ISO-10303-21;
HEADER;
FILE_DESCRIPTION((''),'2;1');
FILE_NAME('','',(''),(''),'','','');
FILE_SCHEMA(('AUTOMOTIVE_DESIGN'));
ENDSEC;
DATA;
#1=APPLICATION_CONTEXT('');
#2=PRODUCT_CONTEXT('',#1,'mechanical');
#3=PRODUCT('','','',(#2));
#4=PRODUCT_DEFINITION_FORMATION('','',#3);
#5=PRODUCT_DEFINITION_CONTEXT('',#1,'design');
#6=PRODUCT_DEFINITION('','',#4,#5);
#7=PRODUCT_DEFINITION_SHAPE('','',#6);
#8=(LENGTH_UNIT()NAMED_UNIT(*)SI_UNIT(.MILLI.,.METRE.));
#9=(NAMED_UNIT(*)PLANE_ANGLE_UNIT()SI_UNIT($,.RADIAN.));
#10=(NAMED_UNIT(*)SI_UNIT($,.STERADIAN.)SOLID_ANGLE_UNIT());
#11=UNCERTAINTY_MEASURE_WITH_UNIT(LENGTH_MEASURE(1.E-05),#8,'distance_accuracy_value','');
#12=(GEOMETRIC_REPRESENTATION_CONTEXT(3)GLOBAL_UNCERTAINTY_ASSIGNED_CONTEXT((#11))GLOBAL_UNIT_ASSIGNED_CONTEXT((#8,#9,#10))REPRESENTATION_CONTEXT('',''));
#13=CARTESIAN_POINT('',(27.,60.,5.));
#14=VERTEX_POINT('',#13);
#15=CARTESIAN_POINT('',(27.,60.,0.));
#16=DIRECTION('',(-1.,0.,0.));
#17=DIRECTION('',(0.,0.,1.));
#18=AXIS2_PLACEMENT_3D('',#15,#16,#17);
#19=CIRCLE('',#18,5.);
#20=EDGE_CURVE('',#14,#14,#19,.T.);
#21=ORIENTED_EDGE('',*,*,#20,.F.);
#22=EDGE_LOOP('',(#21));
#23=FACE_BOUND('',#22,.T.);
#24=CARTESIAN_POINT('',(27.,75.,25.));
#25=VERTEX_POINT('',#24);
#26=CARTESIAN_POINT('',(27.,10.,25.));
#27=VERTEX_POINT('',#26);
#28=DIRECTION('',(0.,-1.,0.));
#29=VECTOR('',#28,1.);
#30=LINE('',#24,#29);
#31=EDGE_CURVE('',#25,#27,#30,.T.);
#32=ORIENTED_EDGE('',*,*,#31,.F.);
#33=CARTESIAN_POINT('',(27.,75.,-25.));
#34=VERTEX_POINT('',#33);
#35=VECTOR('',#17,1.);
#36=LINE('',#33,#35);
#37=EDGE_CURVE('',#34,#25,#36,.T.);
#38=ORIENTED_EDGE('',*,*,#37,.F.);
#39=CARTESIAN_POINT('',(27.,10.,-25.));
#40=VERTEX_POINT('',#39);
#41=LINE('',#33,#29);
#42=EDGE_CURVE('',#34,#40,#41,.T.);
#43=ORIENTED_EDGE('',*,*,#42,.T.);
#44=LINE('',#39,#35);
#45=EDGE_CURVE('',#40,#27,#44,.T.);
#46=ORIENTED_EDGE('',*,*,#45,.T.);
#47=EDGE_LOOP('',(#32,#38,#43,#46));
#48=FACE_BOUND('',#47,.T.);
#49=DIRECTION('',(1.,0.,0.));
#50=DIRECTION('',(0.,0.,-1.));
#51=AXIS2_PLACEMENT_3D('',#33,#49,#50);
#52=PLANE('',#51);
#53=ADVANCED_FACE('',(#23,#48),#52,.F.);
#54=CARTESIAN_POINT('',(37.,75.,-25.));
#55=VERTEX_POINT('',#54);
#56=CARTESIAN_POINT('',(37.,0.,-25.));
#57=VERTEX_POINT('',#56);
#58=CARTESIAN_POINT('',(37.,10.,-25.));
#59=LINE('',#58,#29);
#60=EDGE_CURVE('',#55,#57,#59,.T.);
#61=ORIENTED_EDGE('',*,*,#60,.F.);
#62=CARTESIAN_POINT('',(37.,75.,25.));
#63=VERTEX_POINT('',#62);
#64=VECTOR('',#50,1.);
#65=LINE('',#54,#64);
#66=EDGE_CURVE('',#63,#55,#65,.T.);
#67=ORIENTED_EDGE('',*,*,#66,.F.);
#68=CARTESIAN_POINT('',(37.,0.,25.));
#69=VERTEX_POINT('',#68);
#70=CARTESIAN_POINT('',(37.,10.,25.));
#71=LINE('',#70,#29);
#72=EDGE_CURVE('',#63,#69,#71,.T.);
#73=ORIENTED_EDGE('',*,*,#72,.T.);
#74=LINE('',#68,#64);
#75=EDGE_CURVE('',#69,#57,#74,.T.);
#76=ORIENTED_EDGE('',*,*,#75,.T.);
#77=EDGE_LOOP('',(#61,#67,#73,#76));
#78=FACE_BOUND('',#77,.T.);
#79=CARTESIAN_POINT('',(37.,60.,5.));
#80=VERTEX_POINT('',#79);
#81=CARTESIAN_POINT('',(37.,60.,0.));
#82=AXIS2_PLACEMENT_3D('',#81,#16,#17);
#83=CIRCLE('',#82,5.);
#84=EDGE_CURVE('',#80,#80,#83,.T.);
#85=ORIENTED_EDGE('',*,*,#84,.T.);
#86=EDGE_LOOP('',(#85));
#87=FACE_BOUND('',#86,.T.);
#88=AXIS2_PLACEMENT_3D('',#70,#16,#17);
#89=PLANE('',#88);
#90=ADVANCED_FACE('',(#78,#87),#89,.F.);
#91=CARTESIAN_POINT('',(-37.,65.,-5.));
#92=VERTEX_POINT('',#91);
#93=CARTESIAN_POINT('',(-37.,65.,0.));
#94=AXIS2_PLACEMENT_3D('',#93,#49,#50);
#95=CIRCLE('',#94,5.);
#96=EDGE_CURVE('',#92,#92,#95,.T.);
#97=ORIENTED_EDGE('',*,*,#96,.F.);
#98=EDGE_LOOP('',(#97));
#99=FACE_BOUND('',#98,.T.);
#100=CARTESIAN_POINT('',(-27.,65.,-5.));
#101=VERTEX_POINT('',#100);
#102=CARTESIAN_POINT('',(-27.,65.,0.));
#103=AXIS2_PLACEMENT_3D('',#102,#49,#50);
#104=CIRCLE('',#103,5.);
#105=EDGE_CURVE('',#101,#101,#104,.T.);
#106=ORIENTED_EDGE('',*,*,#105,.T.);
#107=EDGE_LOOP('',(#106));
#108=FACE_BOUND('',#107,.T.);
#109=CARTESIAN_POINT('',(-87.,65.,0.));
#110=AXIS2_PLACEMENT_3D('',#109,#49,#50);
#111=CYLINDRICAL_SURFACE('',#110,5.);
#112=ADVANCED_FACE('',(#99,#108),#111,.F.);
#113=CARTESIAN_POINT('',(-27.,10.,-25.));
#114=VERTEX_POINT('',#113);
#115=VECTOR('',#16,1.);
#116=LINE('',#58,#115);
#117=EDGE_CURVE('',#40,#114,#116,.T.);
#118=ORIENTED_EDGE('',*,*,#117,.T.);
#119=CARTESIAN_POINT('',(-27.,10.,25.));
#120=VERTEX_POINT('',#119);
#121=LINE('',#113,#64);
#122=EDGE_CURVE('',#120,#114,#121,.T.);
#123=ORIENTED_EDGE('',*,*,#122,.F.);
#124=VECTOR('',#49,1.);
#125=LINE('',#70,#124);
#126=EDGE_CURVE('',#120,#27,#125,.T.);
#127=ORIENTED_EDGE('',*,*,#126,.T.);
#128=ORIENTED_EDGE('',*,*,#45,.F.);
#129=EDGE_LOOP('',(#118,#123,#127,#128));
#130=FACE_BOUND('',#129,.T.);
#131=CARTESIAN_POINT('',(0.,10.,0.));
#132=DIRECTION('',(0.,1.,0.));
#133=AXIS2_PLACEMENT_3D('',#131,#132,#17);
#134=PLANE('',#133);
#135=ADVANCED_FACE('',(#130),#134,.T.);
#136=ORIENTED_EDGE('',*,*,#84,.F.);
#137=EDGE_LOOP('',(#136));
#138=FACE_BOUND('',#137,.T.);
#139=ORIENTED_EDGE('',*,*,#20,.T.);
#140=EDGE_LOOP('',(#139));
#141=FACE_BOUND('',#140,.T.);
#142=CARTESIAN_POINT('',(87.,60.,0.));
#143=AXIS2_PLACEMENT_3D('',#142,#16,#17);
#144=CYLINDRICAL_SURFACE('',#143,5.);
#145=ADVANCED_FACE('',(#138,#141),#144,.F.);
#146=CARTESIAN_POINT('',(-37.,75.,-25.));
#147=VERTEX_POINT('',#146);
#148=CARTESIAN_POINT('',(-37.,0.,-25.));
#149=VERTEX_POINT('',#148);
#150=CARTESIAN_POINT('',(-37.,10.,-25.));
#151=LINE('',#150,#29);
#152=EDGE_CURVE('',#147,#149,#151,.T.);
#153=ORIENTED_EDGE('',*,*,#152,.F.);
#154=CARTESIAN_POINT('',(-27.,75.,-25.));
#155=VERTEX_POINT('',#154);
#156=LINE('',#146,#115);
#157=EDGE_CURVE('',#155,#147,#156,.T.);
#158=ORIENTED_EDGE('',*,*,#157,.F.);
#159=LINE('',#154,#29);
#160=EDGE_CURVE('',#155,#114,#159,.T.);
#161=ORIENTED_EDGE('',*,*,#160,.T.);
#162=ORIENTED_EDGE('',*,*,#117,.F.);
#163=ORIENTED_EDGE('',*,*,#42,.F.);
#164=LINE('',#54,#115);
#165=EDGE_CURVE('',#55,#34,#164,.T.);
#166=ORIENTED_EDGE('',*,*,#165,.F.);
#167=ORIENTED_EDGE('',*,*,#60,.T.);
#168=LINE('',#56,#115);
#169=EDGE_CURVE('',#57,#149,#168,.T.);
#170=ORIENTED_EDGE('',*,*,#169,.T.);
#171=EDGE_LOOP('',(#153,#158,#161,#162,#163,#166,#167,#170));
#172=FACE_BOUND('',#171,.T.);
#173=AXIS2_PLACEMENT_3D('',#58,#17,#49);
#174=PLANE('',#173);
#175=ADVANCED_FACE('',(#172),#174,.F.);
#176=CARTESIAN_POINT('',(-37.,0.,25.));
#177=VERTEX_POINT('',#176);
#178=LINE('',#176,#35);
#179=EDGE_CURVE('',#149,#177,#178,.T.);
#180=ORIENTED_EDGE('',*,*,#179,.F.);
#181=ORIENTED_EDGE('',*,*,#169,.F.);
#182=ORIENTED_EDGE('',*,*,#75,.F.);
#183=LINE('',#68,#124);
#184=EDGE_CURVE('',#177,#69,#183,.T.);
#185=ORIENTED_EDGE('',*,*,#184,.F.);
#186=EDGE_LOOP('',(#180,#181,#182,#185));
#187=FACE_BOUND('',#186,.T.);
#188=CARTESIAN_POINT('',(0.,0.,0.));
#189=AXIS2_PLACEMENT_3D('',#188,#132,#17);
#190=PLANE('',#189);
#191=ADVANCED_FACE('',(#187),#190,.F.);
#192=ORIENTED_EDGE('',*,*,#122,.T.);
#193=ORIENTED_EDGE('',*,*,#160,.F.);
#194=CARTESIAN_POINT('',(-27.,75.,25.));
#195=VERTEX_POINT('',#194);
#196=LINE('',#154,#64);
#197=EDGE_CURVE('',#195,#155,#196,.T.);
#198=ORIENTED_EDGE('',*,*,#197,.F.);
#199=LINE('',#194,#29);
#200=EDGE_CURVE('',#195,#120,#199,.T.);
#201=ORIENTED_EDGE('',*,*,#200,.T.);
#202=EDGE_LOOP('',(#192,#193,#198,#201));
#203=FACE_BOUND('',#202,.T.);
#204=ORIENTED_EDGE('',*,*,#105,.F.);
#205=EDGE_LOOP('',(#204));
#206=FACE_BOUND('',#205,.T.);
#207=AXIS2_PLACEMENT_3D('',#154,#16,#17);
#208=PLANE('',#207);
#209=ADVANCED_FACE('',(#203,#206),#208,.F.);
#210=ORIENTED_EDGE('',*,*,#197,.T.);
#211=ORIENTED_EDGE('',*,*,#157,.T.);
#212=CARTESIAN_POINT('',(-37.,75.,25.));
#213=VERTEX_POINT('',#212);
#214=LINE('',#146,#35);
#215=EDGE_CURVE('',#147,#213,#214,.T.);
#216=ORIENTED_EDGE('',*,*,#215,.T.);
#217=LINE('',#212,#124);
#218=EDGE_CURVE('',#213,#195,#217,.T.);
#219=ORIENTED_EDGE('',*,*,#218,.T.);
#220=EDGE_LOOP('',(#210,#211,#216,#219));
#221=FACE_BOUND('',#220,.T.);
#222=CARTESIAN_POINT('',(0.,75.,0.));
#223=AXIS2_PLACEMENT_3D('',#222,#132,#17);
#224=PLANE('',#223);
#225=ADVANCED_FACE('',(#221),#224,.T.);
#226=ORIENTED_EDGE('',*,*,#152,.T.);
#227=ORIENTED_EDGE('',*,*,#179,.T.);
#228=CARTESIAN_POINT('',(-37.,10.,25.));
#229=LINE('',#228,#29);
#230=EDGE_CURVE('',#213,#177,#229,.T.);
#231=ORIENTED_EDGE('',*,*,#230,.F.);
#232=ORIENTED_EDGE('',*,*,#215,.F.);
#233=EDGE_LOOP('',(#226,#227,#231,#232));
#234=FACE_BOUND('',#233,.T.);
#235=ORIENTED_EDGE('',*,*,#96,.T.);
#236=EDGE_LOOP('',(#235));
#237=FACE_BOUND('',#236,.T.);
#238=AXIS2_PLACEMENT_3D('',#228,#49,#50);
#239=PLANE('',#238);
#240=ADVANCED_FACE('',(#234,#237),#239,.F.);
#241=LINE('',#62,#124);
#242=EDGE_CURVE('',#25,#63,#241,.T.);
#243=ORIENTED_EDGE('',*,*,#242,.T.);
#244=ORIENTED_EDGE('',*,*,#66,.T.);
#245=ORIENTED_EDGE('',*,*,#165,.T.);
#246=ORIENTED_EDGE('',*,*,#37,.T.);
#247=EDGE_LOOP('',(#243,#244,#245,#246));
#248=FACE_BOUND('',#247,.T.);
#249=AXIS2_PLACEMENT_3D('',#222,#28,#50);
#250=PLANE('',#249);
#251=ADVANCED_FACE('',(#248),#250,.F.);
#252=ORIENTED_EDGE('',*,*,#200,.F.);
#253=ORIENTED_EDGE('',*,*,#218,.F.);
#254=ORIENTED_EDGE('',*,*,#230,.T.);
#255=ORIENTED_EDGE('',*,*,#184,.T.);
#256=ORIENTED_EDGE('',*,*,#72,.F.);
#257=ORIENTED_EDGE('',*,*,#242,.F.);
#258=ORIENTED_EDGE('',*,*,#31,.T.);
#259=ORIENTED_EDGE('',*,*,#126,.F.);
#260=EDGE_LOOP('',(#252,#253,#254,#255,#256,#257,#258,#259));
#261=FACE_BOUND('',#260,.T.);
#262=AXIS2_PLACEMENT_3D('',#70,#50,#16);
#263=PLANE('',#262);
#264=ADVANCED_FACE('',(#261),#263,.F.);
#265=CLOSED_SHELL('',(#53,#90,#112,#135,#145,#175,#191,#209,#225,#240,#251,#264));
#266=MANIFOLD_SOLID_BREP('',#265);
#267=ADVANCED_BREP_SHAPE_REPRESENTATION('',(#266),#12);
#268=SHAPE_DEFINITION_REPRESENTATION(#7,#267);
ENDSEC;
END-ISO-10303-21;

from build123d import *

# Parameters (mm, degrees)
SKETCH1_W           = 74
SKETCH1_H           = 50
BOSS_EXTRUDE1_DEPTH = 10
SKETCH2_W           = 10
SKETCH2_H           = 50
BOSS_EXTRUDE2_DEPTH = 65
SKETCH3_R           = 5
CUT_EXTRUDE1_DEPTH  = 60
SKETCH4_R           = 5
CUT_EXTRUDE3_DEPTH  = 60


with BuildPart() as part:
    # Sketch1 → Boss-Extrude1 (new body)
    with BuildSketch(Plane(origin=(0, 0, 0), x_dir=(1, 0, 0), z_dir=(0, 1, 0))):
        Rectangle(SKETCH1_W, SKETCH1_H)
    extrude(amount=BOSS_EXTRUDE1_DEPTH)

    # Sketch2 → Boss-Extrude2 (add)
    with BuildSketch(Plane(origin=(0, 10, 0), x_dir=(1, 0, 0), z_dir=(0, 1, 0))):
        with Locations((-32, 0)):
            Rectangle(SKETCH2_W, SKETCH2_H)
        with Locations((32, 0)):
            Rectangle(SKETCH2_W, SKETCH2_H)
    extrude(amount=BOSS_EXTRUDE2_DEPTH)

    # Sketch3 → Cut-Extrude1 (cut)
    with BuildSketch(Plane(origin=(-27, 0, 0), x_dir=(0, 0, -1), z_dir=(1, 0, 0))):
        with Locations((0, 65)):
            Circle(SKETCH3_R)
    extrude(amount=-CUT_EXTRUDE1_DEPTH, mode=Mode.SUBTRACT)

    # Sketch4 → Cut-Extrude3 (cut)
    with BuildSketch(Plane.ZY.offset(-27)):
        with Locations((0, 60)):
            Circle(SKETCH4_R)
    extrude(amount=-CUT_EXTRUDE3_DEPTH, mode=Mode.SUBTRACT)


solid = part.part
